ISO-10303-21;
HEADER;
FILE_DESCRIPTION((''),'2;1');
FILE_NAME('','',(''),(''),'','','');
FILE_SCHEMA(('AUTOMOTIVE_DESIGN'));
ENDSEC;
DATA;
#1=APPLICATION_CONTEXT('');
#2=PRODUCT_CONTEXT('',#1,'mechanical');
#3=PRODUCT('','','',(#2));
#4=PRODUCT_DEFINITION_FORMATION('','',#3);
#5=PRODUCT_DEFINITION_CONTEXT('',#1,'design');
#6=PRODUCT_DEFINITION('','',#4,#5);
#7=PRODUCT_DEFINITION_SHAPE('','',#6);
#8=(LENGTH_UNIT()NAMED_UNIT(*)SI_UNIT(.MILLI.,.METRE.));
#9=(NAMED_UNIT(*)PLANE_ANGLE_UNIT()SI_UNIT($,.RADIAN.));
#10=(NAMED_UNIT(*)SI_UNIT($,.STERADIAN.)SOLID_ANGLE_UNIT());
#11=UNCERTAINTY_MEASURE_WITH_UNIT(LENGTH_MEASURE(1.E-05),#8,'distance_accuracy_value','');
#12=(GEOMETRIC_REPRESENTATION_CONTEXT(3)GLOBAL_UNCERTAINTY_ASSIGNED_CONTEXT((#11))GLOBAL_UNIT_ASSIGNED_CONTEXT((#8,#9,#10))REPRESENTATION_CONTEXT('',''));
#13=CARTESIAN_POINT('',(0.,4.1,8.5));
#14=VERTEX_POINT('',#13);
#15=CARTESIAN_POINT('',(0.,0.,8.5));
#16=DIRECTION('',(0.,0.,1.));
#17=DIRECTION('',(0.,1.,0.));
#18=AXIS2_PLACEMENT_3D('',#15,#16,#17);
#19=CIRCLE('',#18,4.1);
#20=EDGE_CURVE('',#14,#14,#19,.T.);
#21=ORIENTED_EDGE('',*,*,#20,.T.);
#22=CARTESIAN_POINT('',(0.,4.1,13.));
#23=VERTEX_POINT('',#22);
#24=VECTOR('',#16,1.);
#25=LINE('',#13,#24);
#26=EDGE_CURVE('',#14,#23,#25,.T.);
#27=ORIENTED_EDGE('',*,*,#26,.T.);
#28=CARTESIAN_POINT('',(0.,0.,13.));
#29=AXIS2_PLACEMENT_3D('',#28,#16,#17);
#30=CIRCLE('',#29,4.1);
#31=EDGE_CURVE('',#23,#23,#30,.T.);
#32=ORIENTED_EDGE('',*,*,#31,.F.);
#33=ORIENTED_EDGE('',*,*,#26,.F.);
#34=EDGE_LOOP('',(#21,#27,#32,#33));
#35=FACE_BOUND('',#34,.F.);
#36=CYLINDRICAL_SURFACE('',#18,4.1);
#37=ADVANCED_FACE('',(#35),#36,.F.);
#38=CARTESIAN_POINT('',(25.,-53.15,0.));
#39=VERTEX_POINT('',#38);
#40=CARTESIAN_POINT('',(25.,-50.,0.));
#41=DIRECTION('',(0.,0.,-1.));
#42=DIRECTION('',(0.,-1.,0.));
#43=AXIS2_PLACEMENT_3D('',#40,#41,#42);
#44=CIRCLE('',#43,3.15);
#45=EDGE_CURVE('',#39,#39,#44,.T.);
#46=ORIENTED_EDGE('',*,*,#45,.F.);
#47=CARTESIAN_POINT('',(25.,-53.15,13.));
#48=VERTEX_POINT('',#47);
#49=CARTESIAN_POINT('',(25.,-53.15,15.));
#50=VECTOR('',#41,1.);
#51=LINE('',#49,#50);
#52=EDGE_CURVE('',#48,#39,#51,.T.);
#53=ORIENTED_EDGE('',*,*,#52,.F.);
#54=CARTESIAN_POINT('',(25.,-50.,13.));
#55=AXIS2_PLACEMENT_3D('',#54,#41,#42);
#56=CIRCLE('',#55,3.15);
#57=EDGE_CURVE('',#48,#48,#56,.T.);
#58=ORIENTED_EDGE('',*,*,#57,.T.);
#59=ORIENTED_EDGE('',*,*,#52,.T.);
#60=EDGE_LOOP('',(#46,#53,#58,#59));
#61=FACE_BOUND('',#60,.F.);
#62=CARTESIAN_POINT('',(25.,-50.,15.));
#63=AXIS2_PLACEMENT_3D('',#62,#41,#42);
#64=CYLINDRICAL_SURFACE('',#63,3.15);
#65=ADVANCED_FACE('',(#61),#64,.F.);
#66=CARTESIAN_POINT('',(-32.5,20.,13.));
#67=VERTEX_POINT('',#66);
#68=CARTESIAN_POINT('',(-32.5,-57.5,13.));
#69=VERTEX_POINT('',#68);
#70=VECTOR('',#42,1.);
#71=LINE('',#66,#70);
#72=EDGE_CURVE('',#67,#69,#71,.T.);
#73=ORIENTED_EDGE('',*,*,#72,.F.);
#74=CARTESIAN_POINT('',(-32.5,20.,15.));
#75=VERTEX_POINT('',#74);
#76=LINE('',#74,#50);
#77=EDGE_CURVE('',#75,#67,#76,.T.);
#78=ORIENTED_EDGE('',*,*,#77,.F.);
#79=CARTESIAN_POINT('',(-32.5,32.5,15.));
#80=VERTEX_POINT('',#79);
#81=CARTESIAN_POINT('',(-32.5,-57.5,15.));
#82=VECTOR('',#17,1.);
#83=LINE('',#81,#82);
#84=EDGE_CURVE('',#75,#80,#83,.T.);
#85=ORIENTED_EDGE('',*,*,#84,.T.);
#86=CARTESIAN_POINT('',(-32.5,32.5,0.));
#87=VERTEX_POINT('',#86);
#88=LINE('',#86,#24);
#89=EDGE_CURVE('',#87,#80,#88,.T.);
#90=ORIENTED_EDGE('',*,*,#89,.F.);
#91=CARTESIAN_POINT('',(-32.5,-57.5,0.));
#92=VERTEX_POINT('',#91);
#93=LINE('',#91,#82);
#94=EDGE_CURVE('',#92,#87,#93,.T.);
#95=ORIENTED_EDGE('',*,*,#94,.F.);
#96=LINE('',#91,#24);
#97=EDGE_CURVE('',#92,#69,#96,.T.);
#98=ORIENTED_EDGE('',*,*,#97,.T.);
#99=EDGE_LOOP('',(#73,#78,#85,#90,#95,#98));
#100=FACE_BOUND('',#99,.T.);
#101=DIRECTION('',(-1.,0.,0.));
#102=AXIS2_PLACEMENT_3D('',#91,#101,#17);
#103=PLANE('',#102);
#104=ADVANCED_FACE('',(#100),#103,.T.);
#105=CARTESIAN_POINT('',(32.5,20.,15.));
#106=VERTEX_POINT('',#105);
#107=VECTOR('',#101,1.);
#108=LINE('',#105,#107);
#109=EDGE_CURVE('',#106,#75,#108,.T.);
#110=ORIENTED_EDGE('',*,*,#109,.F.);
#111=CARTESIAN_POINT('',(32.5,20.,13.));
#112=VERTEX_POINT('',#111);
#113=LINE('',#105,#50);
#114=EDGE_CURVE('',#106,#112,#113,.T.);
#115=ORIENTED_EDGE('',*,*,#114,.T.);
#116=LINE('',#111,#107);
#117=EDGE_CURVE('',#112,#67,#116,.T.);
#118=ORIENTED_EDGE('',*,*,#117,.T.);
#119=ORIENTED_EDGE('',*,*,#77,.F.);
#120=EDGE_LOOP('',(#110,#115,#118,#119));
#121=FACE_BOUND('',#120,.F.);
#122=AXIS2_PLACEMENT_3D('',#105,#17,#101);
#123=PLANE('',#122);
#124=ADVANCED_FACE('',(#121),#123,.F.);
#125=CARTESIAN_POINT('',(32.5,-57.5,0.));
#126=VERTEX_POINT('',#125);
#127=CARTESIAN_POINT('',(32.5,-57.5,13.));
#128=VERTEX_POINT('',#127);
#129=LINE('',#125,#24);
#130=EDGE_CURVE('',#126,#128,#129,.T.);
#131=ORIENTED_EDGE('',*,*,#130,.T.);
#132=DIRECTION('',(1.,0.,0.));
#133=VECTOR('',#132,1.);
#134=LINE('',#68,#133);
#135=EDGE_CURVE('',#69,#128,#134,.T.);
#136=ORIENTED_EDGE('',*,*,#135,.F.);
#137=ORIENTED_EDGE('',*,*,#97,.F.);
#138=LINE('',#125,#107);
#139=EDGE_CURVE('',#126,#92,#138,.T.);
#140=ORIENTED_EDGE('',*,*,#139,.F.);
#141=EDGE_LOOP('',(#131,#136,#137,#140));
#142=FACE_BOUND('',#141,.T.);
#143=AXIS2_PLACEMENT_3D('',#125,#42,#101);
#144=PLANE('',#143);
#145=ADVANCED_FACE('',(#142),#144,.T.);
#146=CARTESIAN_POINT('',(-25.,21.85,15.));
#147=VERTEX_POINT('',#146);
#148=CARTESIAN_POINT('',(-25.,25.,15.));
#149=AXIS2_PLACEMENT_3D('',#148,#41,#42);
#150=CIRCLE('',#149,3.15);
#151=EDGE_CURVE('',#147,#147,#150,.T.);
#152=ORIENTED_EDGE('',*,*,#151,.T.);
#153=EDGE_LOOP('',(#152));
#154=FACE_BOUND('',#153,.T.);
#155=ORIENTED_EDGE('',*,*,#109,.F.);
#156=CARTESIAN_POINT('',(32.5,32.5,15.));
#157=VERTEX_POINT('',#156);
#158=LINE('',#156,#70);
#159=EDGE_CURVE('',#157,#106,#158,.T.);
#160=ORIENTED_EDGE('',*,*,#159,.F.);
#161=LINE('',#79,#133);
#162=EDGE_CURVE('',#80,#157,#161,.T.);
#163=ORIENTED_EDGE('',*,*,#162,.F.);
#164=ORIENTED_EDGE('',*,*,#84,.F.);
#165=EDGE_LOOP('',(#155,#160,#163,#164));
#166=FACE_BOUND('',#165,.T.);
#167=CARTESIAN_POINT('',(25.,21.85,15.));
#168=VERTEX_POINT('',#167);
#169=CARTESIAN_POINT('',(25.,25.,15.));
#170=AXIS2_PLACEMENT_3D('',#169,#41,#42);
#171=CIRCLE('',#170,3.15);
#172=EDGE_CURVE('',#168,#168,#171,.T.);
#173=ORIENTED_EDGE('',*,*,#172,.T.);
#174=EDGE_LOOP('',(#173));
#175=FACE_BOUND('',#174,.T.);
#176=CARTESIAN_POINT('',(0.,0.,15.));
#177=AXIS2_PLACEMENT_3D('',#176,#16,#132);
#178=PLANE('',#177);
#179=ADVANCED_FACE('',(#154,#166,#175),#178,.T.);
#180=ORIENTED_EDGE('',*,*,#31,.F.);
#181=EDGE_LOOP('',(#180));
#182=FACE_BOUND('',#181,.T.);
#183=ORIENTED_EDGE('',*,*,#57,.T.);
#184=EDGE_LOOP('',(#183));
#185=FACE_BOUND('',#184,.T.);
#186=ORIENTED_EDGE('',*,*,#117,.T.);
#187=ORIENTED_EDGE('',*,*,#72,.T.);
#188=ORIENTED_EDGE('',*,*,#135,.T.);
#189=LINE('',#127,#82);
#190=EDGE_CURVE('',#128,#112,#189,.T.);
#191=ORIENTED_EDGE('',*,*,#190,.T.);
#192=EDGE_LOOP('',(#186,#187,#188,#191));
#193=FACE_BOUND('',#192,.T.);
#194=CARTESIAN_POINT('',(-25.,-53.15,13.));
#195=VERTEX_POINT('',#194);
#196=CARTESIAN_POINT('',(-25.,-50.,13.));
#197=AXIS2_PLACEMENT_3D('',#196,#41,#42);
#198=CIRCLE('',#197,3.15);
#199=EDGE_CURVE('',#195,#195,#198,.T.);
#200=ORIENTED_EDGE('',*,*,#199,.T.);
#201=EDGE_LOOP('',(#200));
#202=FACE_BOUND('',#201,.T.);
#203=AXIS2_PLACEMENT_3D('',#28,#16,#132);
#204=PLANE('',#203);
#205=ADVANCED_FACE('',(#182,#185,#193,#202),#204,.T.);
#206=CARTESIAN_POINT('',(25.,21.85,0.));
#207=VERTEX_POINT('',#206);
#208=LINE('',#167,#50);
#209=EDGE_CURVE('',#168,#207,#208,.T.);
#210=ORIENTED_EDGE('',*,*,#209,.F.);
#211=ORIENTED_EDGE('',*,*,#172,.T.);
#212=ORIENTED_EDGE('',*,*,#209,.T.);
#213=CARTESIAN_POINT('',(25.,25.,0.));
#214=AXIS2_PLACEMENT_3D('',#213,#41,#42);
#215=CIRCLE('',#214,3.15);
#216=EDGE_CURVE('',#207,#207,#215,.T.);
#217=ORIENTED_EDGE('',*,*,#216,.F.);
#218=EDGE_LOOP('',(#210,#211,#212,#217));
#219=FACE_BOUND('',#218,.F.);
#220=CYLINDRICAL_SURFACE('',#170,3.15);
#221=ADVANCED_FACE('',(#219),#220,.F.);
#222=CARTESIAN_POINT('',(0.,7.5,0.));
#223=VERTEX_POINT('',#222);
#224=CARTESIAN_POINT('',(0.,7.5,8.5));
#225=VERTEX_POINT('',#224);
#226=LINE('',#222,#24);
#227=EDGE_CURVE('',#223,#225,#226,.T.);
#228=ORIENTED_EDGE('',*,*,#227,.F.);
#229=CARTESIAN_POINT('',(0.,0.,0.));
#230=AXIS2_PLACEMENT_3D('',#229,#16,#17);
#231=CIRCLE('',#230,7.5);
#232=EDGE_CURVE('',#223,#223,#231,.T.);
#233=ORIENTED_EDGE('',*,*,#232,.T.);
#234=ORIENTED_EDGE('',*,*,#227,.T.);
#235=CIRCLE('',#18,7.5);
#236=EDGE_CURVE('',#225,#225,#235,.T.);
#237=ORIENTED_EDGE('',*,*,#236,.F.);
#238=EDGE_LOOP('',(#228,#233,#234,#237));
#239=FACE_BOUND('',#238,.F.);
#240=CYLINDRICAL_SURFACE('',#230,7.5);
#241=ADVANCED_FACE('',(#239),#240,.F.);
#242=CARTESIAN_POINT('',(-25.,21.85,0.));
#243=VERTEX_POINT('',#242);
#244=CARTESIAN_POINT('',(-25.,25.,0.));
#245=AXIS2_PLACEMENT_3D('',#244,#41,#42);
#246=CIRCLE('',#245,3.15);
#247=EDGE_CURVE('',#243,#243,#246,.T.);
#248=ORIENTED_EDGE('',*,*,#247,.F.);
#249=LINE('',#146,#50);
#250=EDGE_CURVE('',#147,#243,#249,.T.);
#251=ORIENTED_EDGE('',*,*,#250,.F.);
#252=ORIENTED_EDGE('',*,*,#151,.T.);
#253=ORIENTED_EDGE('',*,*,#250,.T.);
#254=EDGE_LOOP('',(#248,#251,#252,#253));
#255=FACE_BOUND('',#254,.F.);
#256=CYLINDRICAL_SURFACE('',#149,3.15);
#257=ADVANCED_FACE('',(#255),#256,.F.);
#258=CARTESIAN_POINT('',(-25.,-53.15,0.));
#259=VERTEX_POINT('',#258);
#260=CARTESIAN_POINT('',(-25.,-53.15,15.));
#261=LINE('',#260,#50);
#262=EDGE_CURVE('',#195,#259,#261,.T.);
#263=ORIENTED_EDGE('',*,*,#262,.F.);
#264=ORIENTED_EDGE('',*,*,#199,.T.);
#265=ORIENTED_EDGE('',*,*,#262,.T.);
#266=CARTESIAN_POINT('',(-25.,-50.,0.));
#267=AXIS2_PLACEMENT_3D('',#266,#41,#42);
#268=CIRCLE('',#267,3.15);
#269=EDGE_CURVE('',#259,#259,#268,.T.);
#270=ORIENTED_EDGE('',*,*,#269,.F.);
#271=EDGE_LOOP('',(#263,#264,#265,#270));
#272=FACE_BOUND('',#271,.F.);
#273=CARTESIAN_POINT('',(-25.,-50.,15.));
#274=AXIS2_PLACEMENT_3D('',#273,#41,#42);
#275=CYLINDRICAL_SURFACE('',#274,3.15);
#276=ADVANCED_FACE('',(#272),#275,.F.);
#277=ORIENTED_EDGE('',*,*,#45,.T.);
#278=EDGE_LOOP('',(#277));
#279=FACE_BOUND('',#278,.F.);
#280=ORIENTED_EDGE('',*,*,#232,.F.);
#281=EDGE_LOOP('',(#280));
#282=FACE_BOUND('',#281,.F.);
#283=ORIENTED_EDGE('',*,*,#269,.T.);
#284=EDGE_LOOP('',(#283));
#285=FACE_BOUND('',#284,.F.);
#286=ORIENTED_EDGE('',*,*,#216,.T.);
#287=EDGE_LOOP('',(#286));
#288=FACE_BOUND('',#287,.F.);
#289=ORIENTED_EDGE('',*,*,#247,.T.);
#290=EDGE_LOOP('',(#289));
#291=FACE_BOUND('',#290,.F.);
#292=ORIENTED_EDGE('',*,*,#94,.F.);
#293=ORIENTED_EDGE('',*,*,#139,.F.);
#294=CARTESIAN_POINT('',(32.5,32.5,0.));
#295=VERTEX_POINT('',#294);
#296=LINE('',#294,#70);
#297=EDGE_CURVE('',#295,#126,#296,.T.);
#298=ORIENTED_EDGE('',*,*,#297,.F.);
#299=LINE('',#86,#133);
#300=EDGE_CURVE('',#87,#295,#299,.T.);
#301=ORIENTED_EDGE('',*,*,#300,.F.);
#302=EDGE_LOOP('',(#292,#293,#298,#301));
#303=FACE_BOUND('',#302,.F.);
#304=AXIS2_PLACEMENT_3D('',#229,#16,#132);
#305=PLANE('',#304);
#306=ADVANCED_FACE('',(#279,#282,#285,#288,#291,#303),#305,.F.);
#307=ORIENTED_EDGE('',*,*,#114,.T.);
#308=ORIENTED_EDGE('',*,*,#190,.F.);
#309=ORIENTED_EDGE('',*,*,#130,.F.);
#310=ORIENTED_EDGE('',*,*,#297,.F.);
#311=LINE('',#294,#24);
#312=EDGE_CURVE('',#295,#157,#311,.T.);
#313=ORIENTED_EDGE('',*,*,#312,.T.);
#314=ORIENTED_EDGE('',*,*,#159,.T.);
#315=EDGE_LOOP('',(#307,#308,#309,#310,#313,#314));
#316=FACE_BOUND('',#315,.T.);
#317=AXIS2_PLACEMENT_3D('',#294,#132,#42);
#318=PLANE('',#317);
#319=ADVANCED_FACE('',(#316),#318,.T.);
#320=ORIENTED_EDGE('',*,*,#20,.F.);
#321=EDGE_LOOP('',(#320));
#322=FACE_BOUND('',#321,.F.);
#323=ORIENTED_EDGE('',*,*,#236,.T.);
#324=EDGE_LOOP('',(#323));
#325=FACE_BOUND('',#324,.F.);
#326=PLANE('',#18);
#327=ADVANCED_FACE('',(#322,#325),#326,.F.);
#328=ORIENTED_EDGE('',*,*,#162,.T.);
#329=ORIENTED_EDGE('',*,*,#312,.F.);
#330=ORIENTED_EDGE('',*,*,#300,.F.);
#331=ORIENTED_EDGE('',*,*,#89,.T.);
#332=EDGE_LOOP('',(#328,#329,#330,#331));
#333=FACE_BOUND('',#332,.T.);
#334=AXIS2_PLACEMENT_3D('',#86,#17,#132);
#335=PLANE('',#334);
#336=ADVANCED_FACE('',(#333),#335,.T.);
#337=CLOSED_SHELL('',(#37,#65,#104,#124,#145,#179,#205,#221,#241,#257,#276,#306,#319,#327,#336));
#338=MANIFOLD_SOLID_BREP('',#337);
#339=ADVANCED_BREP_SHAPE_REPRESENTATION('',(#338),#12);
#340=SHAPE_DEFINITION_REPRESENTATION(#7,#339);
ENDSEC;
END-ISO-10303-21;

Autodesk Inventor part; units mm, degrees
ref_plane "YZ Plane" through (0, 0, 0) normal (1, 0, 0) x (0, 1, 0)
ref_plane "XZ Plane" through (0, 0, 0) normal (0, 1, 0) x (-1, 0, 0)
ref_plane "XY Plane" through (0, 0, 0) normal (0, 0, 1) x (1, 0, 0)
sketch "Sketch1" plane through (0, 0, 0) normal (0, 0, 1) x (1, 0, 0)
  line L0 (-45.5, 0) -> (45.5, 0) construction
  line L1 (0, -75.5) -> (0, 50.5) construction
  line L2 (-32.5, 32.5) -> (32.5, 32.5)
  line L3 (32.5, 32.5) -> (32.5, -57.5)
  line L4 (32.5, -57.5) -> (-32.5, -57.5)
  line L5 (-32.5, -57.5) -> (-32.5, 32.5)
  point P0 (0, 0)
  point P1 (0, 32.5)
  point P2 (32.5, -12.5)
  dimension "d0" = 65
  dimension "d28" = 32.5
  dimension "d29" = 57.5
extrude "Extrusion1" add sketch "Sketch1" along normal blind 15
sketch "Sketch2" plane through (0, 0, 0) normal (0, 0, -1) x (-1, 0, 0)
  point P0 (0, 0)
hole "Hole1" at (0, 0, 0) direction (0, 0, 1) diameter 8.2 end through all counterbore diameter 15 counterbore depth 8.5
sketch "Sketch3" plane through (0, 0, 15) normal (0, 0, 1) x (1, 0, 0)
  line L0 (-45.5, 0) -> (45.5, 0) projected
  line L1 (0, -75.5) -> (0, 50.5) projected
  point P0 (0, 0)
  point P1 (-25, 25)
  dimension "d16" = 25
  dimension "d17" = 25
hole "Hole2" at (-25, 25, 15) direction (0, 0, -1) diameter 6.3 end through all
pattern_linear "Rectangular Pattern2" count 2 spacing 50 along (1, 0, 0) count 2 spacing 75 along (0, -1, 0) of "Hole2"
sketch "Sketch4" plane through (0, 0, 15) normal (0, 0, 1) x (1, 0, 0)
  circle A0 centre (0, 0) radius 4.1 construction
  line L0 (32.5, 32.5) -> (32.5, -57.5) construction
  line L1 (32.5, -57.5) -> (-32.5, -57.5) construction
  line L2 (-32.5, -57.5) -> (-32.5, 32.5) construction
  line L3 (-32.5, 32.5) -> (32.5, 32.5) construction
  line L4 (-32.5, -57.5) -> (32.5, -57.5)
  line L5 (32.5, -57.5) -> (32.5, 20)
  line L6 (32.5, 20) -> (-32.5, 20)
  line L7 (-32.5, 20) -> (-32.5, -57.5)
  circle A1 centre (25, -50) radius 3.15 projected
  circle A2 centre (-25, -50) radius 3.15 projected
  circle A3 centre (25, 25) radius 3.15 projected
  circle A4 centre (-25, 25) radius 3.15 projected
  dimension "d42" = 20
extrude "Extrusion2" cut sketch "Sketch4" against normal blind 2 contours L7 L6 L5 L4 | A1 | A2
equation "\"d17\" = d16"
properties part number "P101" material "Aluminium"
